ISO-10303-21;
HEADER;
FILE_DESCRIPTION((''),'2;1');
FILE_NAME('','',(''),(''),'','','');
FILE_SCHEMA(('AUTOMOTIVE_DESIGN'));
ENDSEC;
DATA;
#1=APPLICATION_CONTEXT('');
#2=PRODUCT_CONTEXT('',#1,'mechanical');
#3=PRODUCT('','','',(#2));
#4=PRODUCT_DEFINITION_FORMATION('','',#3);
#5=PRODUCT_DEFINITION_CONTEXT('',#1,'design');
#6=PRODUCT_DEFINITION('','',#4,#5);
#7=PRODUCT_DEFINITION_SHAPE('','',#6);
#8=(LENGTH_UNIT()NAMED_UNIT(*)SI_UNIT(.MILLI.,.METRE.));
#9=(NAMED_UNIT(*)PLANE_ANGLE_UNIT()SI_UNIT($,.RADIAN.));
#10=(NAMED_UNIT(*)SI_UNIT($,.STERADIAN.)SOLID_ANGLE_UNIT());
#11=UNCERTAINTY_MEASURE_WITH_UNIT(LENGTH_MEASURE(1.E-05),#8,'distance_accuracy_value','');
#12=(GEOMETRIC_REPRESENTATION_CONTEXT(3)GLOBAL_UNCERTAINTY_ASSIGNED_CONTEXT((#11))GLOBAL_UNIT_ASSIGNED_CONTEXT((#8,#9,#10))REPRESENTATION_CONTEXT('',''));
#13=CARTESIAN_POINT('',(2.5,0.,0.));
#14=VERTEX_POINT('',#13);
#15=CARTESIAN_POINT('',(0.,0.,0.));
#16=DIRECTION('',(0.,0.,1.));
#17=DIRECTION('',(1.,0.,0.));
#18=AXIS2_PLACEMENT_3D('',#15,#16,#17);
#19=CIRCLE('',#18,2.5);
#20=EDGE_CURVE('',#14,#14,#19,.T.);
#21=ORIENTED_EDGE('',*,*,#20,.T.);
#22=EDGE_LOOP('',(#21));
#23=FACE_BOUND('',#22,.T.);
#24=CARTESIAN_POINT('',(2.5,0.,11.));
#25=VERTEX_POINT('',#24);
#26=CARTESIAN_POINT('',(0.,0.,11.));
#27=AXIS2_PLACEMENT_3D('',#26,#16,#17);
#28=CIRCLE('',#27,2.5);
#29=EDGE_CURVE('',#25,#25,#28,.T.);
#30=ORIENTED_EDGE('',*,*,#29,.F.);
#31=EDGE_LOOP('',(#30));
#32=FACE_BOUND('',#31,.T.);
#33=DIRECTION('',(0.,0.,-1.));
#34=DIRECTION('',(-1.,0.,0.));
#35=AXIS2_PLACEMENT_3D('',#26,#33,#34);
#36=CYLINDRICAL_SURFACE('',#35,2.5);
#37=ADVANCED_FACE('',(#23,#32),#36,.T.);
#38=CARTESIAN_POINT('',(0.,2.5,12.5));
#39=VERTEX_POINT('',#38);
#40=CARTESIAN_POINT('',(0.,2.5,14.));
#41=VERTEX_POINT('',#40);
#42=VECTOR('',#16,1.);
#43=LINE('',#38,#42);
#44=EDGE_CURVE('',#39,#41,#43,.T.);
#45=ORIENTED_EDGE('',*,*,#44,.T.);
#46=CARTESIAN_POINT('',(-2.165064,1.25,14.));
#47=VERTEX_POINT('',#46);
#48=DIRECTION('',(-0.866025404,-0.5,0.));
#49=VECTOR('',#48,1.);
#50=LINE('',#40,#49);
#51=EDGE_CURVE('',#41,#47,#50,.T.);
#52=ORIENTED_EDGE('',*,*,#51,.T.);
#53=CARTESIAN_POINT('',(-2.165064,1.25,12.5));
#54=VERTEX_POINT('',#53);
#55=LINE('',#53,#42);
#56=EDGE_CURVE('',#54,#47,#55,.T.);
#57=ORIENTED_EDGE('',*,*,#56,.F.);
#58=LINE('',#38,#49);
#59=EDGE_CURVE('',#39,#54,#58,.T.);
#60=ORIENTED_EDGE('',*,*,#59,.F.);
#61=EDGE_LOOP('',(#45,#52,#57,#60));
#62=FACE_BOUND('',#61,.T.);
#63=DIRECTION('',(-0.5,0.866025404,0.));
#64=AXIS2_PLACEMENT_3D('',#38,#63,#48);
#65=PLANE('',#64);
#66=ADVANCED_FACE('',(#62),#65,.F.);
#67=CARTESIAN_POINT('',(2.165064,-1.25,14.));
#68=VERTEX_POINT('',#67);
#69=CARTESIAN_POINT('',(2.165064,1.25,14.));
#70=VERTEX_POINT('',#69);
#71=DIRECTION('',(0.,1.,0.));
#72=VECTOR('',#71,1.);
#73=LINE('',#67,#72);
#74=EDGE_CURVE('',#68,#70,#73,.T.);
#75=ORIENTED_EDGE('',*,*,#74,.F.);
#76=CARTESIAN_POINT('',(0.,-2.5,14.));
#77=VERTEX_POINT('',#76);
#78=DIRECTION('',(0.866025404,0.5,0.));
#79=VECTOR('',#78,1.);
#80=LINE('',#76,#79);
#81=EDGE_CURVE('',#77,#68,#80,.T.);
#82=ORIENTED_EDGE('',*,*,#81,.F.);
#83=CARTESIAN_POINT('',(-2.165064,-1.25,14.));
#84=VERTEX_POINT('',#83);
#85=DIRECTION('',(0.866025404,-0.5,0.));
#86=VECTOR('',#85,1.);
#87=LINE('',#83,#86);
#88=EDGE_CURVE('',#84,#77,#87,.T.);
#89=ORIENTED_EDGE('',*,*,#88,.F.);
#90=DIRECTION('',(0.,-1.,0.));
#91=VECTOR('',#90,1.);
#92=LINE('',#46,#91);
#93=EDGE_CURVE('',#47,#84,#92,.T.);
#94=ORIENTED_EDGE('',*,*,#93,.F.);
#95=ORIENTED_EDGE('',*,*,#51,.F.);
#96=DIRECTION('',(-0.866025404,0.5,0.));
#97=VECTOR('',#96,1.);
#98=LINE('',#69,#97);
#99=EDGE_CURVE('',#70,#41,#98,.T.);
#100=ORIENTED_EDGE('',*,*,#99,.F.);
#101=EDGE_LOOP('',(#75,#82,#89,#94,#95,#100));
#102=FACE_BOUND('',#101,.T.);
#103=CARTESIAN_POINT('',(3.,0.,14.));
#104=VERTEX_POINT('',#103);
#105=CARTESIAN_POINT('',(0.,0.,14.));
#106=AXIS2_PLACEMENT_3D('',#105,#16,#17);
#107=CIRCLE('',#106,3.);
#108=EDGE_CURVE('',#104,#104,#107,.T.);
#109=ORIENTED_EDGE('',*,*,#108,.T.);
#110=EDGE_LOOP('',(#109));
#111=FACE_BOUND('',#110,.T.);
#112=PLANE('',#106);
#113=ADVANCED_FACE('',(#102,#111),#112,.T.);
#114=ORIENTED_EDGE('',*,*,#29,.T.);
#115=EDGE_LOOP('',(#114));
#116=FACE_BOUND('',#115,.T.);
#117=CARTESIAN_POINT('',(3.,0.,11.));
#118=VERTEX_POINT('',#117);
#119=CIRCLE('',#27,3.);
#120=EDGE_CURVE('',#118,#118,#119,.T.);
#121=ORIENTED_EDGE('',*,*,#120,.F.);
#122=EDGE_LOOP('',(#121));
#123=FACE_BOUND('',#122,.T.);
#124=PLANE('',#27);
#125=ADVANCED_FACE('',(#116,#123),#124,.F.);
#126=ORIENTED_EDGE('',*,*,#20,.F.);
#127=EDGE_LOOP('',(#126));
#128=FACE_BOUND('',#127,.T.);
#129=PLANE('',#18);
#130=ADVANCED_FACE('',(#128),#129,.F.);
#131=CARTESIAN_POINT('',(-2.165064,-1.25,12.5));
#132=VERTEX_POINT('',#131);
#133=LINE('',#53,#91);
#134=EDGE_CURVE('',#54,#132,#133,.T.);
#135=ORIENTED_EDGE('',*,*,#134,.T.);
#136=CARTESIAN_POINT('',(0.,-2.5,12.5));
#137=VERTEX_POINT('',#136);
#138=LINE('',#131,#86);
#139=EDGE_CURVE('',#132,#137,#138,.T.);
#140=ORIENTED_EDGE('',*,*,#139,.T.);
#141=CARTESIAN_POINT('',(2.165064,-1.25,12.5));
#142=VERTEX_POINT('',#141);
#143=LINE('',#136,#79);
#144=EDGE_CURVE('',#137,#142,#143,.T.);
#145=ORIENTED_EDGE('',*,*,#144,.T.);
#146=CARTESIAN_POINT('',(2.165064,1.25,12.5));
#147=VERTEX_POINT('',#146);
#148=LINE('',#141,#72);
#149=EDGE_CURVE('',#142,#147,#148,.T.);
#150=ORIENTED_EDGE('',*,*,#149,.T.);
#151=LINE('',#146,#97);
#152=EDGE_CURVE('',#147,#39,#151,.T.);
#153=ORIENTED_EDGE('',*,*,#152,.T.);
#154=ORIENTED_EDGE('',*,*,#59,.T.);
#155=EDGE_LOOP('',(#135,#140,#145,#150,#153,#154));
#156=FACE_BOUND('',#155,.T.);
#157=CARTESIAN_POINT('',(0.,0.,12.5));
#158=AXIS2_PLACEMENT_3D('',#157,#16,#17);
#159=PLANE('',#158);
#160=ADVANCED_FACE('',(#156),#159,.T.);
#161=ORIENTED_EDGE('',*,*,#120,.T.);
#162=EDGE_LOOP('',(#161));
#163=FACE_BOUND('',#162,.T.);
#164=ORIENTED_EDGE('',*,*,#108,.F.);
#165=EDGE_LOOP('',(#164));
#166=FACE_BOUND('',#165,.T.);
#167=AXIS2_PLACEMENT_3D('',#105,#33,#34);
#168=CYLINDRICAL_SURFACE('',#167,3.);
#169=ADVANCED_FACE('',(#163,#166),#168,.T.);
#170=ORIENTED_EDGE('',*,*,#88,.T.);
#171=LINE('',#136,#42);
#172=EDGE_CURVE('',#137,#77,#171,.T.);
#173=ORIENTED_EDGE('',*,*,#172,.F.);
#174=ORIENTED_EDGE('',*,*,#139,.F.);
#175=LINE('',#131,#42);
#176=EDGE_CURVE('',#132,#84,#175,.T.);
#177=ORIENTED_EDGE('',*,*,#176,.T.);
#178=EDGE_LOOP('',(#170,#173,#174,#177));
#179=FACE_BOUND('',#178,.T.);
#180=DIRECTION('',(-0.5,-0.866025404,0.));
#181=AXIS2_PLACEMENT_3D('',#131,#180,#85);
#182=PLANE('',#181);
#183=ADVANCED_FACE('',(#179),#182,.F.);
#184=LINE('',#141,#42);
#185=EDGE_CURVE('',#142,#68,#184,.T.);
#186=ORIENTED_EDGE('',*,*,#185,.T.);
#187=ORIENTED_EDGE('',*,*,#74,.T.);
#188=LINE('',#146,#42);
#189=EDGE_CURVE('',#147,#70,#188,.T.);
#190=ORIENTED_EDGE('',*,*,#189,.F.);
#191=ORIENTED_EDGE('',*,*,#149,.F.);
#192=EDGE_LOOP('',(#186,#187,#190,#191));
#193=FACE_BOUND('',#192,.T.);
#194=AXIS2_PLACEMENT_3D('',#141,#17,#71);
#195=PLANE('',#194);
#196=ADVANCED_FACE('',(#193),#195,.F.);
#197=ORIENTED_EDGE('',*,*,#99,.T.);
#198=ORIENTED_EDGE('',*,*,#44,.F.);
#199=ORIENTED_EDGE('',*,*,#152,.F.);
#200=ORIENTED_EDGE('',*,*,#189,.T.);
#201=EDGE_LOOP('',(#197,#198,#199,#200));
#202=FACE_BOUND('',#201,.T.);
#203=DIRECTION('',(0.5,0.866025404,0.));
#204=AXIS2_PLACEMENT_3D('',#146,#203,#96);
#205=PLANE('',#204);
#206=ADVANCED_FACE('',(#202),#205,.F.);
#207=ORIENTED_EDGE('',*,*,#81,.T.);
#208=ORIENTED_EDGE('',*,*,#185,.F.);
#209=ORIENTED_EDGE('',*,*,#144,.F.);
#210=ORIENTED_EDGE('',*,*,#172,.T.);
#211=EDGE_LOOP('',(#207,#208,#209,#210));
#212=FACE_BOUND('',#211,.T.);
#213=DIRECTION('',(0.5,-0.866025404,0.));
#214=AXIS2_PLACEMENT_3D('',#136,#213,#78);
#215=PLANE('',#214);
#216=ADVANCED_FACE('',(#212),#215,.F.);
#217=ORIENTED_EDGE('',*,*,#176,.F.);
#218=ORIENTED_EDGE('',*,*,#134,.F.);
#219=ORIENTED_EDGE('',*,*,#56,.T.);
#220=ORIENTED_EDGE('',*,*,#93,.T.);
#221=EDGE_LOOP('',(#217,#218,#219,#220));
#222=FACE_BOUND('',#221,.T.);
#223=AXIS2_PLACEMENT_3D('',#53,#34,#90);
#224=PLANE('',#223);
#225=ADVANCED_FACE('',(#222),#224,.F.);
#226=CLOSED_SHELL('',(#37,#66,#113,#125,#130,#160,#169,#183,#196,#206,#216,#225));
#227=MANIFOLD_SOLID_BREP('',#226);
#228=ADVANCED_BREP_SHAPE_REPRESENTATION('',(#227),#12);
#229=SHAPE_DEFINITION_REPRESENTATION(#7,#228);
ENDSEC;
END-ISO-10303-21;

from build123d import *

# Parameters (mm, degrees)
SKETCH1_R           = 2.5
BOSS_EXTRUDE1_DEPTH = 11
SKETCH2_R           = 3
BOSS_EXTRUDE2_DEPTH = 3
CUT_EXTRUDE1_DEPTH  = 1.5


with BuildPart() as part:
    # Sketch1 → Boss-Extrude1 (new body)
    with BuildSketch(Plane.XY):
        Circle(SKETCH1_R)
    extrude(amount=BOSS_EXTRUDE1_DEPTH)

    # Sketch2 → Boss-Extrude2 (add)
    with BuildSketch(Plane.XY.offset(11)):
        Circle(SKETCH2_R)
    extrude(amount=BOSS_EXTRUDE2_DEPTH)

    # Sketch3 → Cut-Extrude1 (cut)
    with BuildSketch(Plane.XY.offset(14)):
        Polygon((0, 2.5), (-2.165063509, 1.25), (-2.165063509, -1.25), (0, -2.5), (2.165063509, -1.25), (2.165063509, 1.25), align=None)
    extrude(amount=-CUT_EXTRUDE1_DEPTH, mode=Mode.SUBTRACT)


solid = part.part
